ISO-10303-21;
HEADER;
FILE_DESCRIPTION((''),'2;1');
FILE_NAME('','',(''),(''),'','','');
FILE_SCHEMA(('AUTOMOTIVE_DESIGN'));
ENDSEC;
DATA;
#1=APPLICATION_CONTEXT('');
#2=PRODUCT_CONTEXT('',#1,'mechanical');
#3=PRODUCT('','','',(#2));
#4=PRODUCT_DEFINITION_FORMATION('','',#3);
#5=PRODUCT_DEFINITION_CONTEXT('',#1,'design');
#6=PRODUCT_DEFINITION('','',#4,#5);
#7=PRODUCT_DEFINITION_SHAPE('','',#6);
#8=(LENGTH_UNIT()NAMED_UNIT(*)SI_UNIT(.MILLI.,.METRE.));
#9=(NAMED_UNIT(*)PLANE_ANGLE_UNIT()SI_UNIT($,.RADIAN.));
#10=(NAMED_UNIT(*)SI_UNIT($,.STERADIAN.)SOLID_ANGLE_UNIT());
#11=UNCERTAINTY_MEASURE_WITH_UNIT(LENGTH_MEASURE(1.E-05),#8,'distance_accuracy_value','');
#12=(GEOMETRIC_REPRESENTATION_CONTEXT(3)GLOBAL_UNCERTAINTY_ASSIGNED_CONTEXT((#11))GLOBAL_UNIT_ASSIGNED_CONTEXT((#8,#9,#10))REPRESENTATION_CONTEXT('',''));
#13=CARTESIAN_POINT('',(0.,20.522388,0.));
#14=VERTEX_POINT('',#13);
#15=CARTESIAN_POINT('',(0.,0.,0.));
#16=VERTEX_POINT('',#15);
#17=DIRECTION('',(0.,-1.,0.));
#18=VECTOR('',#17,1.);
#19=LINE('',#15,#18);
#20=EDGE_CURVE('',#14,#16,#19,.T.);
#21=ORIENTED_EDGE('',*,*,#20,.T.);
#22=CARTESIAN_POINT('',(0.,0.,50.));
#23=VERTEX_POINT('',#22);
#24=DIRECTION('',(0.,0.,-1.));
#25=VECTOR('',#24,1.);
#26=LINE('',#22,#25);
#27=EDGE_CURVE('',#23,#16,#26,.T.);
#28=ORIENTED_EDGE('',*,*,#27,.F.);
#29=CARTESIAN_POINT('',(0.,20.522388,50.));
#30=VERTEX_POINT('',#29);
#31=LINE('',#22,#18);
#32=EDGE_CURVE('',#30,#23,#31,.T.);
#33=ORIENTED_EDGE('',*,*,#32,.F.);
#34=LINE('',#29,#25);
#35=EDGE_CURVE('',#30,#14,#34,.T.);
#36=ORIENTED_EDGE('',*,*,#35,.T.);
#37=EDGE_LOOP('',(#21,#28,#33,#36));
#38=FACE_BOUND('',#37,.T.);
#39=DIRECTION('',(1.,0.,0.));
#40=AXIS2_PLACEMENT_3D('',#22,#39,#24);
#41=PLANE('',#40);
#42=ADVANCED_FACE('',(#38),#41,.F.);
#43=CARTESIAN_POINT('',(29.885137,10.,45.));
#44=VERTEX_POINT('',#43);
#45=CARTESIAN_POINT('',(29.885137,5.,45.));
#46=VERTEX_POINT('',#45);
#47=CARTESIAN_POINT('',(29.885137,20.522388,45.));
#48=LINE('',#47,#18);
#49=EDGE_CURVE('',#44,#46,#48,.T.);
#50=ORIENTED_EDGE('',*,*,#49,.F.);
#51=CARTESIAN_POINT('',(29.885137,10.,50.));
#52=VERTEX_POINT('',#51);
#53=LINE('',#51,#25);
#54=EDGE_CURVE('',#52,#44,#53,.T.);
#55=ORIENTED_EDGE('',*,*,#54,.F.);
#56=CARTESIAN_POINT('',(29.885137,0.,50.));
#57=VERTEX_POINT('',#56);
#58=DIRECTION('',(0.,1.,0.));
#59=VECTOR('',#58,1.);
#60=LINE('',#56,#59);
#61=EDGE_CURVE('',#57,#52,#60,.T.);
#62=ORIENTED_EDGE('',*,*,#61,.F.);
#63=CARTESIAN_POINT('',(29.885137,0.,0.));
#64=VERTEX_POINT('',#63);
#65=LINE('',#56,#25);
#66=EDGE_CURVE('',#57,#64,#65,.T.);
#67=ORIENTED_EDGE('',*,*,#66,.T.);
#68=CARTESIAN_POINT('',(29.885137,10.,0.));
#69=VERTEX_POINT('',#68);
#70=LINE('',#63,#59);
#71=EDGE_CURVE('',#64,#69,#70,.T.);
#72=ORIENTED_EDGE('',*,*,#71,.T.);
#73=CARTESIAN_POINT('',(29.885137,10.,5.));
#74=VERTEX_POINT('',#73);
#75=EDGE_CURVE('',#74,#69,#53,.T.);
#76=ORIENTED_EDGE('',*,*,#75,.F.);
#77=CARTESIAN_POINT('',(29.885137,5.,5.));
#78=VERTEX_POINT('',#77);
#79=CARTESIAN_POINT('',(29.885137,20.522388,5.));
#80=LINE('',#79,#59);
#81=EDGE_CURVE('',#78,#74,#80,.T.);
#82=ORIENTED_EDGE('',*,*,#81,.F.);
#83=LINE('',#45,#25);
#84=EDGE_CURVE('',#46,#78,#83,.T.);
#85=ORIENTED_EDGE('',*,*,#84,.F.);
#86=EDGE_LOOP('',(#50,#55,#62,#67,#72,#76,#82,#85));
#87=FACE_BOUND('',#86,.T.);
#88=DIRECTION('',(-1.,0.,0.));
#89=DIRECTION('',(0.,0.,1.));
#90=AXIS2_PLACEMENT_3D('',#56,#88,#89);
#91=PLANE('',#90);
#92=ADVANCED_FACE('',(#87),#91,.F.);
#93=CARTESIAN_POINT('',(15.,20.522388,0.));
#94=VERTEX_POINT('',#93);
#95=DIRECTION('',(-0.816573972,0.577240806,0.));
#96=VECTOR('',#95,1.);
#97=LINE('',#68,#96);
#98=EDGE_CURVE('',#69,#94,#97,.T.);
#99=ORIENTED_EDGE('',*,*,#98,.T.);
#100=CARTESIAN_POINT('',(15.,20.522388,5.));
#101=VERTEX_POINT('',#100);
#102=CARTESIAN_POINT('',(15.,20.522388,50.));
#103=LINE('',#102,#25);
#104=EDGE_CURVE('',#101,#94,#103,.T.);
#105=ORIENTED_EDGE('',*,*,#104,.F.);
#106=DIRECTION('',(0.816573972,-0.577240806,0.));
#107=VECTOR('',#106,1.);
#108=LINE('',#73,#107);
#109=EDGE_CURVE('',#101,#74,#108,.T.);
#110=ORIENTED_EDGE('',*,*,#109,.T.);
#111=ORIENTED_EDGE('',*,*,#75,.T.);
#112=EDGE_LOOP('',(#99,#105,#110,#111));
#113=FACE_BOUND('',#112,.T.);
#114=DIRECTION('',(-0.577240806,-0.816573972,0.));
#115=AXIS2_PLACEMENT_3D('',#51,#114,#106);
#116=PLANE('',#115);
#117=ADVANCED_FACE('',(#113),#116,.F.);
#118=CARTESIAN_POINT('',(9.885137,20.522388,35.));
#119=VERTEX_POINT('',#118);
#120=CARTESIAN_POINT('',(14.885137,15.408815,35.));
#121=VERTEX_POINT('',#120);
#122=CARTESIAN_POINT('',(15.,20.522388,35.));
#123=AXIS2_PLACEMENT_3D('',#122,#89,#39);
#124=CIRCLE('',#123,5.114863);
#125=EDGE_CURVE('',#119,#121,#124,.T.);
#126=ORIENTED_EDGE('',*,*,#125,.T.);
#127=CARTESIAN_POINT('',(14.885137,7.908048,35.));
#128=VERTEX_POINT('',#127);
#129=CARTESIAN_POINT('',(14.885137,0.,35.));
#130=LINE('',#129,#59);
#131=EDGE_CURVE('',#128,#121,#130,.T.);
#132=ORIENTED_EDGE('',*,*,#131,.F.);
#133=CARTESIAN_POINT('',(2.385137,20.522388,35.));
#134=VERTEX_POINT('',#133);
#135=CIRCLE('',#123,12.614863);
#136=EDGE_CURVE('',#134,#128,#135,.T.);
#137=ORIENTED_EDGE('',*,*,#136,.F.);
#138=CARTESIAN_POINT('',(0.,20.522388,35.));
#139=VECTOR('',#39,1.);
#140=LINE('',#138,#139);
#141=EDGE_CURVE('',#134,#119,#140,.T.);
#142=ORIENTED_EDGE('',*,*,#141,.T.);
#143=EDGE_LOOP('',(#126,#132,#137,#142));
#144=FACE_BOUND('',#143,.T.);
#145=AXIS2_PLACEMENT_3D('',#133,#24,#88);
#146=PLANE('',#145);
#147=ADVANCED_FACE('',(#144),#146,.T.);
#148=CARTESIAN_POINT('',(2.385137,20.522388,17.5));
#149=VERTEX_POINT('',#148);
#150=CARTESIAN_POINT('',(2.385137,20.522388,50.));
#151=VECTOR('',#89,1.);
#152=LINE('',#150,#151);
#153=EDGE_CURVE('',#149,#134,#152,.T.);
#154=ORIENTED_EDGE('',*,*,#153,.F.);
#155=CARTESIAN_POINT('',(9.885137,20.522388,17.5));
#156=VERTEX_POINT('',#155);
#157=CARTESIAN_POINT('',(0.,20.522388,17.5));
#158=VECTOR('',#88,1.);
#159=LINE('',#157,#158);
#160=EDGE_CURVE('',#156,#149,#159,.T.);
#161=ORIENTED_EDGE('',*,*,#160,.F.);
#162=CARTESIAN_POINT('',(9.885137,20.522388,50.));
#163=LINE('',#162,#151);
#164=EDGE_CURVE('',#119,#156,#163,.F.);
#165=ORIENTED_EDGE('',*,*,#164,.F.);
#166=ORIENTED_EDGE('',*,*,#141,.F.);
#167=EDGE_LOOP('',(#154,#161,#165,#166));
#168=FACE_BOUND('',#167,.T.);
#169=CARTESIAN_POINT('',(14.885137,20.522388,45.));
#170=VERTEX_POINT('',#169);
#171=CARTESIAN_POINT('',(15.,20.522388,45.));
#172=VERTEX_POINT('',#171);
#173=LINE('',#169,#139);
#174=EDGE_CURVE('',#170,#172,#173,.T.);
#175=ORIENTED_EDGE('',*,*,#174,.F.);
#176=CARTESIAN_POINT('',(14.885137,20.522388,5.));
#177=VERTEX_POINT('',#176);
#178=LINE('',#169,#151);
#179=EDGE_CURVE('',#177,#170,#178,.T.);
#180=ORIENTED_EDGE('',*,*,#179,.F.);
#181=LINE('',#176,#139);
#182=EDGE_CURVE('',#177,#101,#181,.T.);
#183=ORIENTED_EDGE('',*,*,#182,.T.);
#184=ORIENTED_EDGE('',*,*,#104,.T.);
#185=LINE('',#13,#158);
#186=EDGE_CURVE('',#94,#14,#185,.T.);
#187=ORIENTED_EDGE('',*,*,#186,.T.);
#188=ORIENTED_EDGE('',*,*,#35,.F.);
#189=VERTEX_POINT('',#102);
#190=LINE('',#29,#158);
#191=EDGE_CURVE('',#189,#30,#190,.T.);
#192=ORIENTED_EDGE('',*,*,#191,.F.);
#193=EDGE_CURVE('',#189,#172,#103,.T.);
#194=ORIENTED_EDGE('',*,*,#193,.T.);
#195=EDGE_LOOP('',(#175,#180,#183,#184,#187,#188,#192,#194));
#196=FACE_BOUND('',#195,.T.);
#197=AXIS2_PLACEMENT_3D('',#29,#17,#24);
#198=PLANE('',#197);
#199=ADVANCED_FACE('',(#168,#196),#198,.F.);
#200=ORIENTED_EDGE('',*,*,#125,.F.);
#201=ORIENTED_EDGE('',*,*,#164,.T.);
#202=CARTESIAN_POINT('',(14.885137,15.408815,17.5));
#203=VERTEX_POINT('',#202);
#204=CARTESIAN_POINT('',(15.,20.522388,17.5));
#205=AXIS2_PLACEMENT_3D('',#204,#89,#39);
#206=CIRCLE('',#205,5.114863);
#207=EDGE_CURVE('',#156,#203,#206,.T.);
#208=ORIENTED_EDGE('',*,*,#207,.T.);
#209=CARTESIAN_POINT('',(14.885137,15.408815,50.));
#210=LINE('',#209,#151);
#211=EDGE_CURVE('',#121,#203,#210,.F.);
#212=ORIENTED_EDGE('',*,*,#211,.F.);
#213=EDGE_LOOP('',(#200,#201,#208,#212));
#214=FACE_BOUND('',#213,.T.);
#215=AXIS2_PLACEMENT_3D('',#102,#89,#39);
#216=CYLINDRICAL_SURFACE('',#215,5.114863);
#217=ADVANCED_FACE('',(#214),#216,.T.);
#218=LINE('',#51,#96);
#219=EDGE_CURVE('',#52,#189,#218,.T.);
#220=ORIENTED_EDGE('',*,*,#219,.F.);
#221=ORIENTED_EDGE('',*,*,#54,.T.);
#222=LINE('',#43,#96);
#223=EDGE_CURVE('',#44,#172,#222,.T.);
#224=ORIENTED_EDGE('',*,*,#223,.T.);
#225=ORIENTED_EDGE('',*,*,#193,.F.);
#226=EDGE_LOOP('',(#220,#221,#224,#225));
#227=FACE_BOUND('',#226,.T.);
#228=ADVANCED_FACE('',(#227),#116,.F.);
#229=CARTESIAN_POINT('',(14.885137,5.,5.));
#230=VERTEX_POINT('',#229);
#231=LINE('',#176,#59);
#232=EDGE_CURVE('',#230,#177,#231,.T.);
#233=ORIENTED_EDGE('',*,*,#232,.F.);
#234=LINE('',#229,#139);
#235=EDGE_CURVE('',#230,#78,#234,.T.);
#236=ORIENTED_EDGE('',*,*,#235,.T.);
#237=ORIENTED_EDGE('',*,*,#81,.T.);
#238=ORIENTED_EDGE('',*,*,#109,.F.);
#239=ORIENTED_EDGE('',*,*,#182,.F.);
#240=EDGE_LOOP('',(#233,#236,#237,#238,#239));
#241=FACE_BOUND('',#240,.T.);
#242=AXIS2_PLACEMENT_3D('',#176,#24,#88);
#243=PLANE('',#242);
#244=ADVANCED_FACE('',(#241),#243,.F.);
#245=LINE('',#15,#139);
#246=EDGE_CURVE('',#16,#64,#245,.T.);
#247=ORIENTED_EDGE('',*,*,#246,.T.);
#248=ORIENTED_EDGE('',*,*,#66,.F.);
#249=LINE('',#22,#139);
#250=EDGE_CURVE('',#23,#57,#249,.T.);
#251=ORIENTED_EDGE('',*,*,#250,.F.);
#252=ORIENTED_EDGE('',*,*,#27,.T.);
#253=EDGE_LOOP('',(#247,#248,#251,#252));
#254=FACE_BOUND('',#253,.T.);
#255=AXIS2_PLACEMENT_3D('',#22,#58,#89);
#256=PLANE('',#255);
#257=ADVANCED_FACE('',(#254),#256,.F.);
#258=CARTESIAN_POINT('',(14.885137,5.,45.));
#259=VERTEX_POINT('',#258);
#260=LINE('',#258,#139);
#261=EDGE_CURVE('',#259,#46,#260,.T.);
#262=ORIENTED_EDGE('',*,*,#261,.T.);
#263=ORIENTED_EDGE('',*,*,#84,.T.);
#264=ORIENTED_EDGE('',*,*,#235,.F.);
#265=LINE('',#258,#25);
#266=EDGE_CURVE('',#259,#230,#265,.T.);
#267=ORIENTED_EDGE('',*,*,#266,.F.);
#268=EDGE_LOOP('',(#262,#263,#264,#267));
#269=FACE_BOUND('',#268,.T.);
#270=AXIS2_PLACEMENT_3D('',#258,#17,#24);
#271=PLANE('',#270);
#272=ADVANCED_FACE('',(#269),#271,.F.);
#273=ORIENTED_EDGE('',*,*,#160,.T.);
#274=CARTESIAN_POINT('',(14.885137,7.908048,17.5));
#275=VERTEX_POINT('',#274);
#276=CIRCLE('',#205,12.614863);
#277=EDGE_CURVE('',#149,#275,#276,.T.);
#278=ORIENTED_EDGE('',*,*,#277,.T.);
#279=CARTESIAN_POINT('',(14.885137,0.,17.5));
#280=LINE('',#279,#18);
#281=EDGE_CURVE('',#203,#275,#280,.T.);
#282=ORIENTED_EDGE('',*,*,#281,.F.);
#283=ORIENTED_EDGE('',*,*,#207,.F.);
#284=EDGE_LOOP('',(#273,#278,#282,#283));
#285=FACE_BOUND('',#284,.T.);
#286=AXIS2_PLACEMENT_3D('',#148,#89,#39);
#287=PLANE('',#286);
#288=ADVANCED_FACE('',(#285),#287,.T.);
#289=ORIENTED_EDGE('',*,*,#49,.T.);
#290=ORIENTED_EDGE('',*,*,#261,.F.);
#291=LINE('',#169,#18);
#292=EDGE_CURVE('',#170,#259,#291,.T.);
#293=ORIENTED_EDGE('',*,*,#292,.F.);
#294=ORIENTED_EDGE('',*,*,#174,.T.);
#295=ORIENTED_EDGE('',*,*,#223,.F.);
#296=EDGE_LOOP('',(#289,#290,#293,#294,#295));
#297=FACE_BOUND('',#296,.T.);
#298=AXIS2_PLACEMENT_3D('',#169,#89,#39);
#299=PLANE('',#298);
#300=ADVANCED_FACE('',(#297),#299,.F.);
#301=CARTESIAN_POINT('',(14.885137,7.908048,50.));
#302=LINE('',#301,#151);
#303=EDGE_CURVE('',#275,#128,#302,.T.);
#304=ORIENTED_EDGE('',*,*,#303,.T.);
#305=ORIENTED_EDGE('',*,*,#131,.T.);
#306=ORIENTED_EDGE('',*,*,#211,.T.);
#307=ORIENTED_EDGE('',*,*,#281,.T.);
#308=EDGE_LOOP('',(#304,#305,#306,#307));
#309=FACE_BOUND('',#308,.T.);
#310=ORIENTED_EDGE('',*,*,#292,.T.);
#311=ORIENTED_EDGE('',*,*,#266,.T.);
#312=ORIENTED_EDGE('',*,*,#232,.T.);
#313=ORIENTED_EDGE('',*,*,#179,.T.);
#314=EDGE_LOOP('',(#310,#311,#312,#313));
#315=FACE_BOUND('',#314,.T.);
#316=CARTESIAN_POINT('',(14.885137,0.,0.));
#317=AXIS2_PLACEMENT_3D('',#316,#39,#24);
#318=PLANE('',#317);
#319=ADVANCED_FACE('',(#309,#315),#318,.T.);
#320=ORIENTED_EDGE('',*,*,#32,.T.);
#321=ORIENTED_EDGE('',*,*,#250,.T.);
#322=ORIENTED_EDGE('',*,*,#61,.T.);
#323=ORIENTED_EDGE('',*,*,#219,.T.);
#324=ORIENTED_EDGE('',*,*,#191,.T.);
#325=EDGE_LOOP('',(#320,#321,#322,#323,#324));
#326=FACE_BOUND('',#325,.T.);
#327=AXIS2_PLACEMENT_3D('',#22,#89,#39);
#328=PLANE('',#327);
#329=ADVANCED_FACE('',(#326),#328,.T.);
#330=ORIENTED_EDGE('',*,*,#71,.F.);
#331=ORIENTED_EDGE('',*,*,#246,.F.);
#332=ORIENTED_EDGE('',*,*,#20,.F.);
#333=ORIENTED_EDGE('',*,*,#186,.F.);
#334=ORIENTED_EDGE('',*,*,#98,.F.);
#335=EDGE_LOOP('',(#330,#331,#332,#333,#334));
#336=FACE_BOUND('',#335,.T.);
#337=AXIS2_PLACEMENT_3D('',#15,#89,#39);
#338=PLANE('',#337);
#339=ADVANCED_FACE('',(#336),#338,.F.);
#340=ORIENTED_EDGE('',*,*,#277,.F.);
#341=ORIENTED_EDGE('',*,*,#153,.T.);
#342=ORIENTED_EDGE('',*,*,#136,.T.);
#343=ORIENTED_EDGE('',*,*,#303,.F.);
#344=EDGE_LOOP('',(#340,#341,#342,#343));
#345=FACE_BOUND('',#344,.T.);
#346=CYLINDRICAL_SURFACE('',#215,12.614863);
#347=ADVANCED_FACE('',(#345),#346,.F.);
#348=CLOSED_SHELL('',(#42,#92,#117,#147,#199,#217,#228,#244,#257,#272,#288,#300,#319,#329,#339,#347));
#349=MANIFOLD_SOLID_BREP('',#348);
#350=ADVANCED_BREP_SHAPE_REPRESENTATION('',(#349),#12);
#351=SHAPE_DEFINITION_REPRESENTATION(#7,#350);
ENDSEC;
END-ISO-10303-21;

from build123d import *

# Parameters (mm, degrees)
BOSS_EXTRUDE1_DEPTH = 50
SKETCH4_W           = 40
SKETCH4_H           = 15.522388441
CUT_EXTRUDE1_DEPTH  = 15
SKETCH5_W           = 7.5
SKETCH5_H           = 17.5


with BuildPart() as part:
    # Sketch1 → Boss-Extrude1 (new body)
    with BuildSketch(Plane.XY):
        Polygon((0, 0), (0, 20.522388441), (15, 20.522388441), (29.885137085, 10), (29.885137085, 0), align=None)
    extrude(amount=BOSS_EXTRUDE1_DEPTH)

    # Sketch4 → Cut-Extrude1 (cut)
    with BuildSketch(Plane(origin=(29.885137085, 0, 0), x_dir=(0, 0, -1), z_dir=(1, 0, 0))):
        with Locations((-25, 12.761194221)):
            Rectangle(SKETCH4_W, SKETCH4_H)
    extrude(amount=-CUT_EXTRUDE1_DEPTH, mode=Mode.SUBTRACT)

    # Sketch5 → Cut-Revolve1 (revolve, cut)
    with BuildSketch(Plane(origin=(0, 20.522388441, 0), x_dir=(1, 0, 0), z_dir=(0, 1, 0))):
        with Locations((6.135137085, -26.25)):
            Rectangle(SKETCH5_W, SKETCH5_H)
    revolve(axis=Axis((15, 20.522388441, 50), (0, 0, -1)), mode=Mode.SUBTRACT)


solid = part.part
